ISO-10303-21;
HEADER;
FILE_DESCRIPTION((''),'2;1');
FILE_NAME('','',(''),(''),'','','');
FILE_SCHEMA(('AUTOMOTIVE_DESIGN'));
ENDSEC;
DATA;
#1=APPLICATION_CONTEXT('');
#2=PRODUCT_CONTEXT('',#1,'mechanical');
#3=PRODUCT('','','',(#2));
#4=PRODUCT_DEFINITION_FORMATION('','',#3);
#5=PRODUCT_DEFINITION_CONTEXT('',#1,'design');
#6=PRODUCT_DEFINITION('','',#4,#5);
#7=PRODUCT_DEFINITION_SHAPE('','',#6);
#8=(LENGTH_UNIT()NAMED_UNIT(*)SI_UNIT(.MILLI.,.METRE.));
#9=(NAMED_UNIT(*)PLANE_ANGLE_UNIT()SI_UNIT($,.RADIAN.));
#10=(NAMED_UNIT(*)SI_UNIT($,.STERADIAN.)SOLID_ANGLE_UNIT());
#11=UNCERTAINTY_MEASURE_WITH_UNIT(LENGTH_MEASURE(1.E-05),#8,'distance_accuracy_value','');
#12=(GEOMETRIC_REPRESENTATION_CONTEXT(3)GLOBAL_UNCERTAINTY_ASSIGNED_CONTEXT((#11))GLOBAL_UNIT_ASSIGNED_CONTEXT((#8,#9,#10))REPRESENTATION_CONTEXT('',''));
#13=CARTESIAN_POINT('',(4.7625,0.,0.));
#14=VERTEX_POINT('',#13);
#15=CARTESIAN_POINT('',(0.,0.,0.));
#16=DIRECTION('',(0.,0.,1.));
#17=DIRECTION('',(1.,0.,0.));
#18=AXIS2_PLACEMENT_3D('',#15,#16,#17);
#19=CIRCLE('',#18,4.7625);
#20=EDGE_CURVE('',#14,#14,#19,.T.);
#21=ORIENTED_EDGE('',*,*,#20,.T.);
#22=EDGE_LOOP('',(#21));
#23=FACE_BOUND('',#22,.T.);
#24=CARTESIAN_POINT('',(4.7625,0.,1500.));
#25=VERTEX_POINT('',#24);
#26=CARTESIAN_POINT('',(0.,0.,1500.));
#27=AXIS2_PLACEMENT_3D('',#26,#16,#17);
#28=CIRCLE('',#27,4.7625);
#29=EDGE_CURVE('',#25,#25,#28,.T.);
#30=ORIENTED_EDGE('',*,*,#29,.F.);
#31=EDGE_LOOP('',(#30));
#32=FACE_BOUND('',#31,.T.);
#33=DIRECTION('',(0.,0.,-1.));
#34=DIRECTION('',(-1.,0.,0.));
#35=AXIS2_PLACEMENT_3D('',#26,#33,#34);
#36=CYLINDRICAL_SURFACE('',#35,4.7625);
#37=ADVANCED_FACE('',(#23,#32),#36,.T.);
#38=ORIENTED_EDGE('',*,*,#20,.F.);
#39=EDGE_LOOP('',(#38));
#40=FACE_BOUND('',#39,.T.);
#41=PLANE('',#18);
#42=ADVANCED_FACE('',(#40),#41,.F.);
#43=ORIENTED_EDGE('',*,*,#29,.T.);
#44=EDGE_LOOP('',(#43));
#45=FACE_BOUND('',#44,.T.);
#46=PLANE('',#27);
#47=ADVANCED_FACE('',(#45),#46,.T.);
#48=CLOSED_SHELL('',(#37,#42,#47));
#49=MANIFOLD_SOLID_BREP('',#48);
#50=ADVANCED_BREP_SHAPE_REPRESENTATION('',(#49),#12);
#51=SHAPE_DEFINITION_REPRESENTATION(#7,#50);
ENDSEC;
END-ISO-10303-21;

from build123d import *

# Parameters (mm, degrees)
ESBO_O1_R                = 4.7625
RESSALTO_EXTRUS_O1_DEPTH = 1500


with BuildPart() as part:
    # Esboço1 → Ressalto-extrusão1 (new body)
    with BuildSketch(Plane.XY):
        Circle(ESBO_O1_R)
    extrude(amount=RESSALTO_EXTRUS_O1_DEPTH)


solid = part.part
